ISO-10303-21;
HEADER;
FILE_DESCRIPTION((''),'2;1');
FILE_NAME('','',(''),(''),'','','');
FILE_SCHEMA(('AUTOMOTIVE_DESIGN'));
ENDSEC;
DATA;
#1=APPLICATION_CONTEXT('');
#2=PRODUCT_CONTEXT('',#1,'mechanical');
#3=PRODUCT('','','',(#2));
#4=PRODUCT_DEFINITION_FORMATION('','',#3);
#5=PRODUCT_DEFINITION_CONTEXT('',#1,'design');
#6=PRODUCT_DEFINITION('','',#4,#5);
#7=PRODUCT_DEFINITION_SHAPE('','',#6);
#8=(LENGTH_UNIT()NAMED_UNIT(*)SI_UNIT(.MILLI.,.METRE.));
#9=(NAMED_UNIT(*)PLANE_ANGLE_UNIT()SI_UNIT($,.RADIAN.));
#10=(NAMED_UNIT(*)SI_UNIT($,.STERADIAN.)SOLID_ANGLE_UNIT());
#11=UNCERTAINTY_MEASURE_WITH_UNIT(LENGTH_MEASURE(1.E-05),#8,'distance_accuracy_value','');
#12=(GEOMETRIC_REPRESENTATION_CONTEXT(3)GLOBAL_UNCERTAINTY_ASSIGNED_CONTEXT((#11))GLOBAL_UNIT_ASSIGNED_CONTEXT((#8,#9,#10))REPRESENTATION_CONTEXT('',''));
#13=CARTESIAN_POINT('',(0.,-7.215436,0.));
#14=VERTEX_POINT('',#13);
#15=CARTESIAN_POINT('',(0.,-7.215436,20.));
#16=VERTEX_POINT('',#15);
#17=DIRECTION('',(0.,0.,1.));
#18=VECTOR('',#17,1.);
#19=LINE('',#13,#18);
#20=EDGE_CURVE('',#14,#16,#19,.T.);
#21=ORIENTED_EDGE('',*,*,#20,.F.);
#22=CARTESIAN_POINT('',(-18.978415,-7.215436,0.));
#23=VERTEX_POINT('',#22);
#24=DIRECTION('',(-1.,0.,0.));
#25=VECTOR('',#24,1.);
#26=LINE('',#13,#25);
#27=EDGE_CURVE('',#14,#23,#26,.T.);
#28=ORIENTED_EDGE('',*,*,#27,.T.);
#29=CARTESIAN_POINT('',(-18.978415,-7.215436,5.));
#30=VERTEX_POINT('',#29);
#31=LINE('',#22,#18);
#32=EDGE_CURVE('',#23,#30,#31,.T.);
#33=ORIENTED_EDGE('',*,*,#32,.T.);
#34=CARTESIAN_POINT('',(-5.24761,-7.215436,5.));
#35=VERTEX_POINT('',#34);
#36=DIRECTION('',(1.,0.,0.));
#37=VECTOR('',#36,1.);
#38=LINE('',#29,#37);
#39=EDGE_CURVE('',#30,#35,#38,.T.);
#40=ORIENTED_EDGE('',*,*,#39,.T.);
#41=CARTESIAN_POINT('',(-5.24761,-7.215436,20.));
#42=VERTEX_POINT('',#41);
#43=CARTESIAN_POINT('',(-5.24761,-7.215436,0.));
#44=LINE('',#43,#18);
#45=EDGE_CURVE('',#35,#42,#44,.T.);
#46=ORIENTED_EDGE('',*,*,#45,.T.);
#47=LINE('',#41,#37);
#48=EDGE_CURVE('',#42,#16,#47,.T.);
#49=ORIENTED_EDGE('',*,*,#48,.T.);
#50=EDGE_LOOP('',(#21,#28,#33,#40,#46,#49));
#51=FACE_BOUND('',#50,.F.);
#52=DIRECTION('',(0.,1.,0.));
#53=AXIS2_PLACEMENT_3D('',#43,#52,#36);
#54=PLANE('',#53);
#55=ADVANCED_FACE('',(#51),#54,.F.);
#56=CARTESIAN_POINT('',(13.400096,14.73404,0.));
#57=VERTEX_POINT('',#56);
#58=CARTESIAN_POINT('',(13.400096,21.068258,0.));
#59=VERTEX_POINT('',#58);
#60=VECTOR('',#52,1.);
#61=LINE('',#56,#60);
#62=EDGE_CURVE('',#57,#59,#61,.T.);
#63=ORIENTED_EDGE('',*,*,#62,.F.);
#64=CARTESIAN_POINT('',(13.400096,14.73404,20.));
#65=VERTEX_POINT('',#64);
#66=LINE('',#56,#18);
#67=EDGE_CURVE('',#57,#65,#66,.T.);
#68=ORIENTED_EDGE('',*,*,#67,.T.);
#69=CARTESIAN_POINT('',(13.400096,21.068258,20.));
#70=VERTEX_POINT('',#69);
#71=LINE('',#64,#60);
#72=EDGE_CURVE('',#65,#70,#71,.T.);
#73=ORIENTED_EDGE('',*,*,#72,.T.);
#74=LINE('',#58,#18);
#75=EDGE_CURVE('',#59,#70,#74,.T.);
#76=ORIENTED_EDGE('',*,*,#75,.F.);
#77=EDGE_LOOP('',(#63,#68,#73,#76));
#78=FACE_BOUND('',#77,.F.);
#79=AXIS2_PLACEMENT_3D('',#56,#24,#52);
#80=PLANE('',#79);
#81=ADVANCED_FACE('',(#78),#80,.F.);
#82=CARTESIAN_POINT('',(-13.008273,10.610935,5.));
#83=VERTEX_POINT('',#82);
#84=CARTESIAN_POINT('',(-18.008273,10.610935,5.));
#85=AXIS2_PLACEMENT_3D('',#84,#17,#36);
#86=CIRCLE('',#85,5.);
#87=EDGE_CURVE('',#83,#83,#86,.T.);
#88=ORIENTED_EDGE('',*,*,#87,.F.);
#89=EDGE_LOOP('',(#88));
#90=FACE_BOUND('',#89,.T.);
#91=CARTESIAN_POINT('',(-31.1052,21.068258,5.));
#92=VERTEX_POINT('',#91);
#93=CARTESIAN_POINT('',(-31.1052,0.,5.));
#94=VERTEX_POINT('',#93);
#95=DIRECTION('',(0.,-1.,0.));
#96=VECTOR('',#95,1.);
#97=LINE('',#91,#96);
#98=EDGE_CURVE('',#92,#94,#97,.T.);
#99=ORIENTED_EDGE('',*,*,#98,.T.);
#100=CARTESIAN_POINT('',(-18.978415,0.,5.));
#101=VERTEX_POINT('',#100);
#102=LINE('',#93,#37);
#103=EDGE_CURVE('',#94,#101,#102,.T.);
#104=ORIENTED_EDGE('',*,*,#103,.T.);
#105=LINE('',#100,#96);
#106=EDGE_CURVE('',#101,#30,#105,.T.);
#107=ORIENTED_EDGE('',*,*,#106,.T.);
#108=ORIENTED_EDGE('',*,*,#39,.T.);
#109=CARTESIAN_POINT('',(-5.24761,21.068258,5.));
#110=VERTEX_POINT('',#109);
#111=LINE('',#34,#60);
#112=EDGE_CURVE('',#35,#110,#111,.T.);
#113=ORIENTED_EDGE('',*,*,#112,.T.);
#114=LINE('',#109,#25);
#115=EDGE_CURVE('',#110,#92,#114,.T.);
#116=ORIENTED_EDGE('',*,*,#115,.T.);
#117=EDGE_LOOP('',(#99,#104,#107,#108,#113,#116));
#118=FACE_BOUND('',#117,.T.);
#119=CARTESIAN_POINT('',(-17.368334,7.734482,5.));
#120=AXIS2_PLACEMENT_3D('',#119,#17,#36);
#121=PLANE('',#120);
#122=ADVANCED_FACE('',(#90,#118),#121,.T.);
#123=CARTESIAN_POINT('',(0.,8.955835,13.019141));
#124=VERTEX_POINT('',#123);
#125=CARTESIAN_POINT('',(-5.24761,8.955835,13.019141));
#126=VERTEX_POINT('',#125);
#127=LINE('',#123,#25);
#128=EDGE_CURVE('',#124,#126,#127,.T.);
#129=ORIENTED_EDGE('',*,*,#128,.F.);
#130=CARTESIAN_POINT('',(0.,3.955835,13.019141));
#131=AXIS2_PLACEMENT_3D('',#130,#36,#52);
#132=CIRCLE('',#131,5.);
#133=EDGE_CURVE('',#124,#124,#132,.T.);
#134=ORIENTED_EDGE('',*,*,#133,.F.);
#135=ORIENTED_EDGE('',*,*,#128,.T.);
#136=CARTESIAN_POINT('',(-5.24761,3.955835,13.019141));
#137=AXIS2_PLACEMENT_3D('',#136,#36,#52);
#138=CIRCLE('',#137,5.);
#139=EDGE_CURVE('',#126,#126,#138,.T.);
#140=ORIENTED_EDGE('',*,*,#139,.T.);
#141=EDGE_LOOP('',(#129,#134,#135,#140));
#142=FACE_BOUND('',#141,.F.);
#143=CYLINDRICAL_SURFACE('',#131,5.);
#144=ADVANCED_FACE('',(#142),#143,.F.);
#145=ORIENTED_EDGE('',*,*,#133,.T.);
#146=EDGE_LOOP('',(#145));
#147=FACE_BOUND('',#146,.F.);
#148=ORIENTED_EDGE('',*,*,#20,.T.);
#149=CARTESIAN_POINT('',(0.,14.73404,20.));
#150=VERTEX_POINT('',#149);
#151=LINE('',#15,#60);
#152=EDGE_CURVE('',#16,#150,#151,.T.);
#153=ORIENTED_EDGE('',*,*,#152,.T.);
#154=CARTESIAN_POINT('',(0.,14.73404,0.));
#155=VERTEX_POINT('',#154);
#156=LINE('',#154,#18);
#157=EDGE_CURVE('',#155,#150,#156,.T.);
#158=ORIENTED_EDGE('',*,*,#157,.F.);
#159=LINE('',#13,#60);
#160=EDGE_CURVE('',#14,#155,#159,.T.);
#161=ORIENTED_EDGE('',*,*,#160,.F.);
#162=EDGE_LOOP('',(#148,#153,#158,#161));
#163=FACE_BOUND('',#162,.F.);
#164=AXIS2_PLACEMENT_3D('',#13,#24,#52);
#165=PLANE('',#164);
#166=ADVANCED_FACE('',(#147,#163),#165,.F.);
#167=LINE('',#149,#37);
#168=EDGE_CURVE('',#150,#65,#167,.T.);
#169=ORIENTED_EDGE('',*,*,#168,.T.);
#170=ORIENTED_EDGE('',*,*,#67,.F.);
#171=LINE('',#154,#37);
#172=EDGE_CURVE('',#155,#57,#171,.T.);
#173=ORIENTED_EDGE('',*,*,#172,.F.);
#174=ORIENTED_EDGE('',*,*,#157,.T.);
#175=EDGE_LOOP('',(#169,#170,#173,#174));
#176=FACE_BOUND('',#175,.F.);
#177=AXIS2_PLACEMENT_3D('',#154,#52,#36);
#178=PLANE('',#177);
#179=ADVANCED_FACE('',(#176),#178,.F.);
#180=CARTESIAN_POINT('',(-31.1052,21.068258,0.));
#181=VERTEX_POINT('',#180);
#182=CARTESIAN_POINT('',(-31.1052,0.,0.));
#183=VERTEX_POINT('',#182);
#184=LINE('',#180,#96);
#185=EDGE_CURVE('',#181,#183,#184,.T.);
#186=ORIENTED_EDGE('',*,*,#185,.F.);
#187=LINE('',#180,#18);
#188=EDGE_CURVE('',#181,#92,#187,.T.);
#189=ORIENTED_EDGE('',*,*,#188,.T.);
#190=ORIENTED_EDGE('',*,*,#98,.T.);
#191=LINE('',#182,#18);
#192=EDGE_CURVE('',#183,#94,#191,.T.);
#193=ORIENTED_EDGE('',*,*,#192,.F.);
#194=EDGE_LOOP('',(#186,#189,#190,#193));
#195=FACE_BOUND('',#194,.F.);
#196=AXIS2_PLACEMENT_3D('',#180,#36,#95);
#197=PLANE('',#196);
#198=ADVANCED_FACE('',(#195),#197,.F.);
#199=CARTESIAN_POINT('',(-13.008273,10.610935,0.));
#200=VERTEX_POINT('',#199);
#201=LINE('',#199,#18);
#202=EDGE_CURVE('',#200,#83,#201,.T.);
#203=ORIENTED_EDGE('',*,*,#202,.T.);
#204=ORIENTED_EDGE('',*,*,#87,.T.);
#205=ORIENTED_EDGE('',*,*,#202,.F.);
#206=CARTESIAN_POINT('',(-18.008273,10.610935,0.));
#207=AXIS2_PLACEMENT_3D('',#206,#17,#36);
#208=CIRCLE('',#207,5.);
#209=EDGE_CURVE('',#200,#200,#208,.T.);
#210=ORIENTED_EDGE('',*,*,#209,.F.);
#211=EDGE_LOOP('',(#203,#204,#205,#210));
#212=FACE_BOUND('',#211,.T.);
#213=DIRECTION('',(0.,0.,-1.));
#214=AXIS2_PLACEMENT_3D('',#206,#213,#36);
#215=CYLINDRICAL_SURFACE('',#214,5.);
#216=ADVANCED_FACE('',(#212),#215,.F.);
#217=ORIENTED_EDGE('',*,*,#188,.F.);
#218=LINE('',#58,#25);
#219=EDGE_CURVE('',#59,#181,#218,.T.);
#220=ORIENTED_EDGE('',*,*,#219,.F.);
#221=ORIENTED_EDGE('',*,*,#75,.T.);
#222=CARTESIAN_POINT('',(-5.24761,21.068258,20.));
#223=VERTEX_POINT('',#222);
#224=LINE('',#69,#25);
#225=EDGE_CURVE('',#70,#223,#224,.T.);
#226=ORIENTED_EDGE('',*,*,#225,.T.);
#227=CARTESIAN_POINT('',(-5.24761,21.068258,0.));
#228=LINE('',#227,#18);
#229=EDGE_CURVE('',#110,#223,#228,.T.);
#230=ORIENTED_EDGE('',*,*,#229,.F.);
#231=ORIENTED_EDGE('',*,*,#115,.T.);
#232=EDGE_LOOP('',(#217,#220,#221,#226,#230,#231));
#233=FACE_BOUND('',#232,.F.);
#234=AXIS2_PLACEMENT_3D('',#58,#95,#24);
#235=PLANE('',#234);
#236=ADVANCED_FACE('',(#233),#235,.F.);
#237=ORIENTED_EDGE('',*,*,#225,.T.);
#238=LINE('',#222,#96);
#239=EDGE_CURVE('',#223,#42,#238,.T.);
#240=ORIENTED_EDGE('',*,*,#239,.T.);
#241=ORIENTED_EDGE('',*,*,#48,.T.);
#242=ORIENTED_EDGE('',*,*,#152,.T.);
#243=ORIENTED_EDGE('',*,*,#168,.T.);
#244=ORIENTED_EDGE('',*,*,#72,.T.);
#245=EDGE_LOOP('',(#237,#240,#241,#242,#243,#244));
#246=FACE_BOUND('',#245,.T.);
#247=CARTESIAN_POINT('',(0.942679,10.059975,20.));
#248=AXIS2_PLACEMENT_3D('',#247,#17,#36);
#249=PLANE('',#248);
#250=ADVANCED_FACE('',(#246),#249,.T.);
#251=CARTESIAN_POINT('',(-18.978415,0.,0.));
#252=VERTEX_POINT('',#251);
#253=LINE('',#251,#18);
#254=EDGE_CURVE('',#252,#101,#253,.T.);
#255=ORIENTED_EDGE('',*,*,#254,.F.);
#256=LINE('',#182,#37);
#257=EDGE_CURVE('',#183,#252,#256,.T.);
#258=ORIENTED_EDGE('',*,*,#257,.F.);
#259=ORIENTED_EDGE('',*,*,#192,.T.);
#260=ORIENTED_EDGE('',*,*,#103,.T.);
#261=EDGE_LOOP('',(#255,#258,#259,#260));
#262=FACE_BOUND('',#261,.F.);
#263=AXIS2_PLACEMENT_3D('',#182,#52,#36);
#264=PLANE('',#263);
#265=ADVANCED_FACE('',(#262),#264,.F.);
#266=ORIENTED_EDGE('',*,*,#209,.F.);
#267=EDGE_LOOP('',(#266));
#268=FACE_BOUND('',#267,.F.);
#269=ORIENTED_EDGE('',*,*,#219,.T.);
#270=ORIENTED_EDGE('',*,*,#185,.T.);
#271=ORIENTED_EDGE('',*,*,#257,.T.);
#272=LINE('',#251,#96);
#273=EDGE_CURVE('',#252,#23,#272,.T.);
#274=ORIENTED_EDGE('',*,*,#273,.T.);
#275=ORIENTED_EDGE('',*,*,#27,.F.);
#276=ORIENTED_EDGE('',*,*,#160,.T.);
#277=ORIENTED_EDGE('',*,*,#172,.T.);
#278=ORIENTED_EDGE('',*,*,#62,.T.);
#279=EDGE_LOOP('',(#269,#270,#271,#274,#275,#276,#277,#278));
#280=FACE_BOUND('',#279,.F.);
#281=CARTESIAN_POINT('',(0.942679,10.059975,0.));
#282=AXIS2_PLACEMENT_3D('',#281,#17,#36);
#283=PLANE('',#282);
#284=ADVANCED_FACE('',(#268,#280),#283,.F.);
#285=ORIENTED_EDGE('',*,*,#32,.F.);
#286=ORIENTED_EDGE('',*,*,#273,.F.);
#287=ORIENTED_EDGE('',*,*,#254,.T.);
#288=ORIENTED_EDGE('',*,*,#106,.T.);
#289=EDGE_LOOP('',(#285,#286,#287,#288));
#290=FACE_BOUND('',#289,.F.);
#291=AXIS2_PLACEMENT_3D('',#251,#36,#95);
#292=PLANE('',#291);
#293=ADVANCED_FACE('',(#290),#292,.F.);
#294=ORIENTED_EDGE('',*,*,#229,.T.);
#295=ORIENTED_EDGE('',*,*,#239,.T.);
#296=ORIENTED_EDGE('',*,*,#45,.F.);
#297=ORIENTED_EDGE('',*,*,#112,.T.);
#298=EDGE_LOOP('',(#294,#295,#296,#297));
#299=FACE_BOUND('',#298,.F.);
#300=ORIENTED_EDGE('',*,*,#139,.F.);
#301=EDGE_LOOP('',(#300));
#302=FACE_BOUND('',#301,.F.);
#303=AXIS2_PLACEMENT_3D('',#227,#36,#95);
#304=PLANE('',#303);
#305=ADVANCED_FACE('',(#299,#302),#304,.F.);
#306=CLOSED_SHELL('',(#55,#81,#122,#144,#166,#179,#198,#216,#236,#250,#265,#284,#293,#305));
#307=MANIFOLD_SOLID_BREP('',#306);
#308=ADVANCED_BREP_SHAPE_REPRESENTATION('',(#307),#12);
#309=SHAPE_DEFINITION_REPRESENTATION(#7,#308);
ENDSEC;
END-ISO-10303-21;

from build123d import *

# Parameters (mm, degrees)
F0_R     = 5
F1_DEPTH = 5
F2_DEPTH = 20
F3_R     = 5
F4_DEPTH = 25


with BuildPart() as f1:
    # F0 (on Top) → F1 (new body)
    with BuildSketch(Plane.XY):
        Polygon((-31.1052, 21.068258), (-31.1052, 0), (-18.978415, 0), (-18.978415, -7.215436), (-5.24761, -7.215436), (-5.24761, 21.068258), align=None)
        with Locations((-18.008273, 10.610935)):
            Circle(F0_R, mode=Mode.SUBTRACT)
    extrude(amount=F1_DEPTH)

    # F0 (on Top) → F2 (join)
    with BuildSketch(Plane.XY):
        Polygon((13.400096, 21.068258), (-5.24761, 21.068258), (-5.24761, -7.215436), (0, -7.215436), (0, 14.73404), (13.400096, 14.73404), align=None)
    extrude(amount=F2_DEPTH)

    # F3 (on Right) → F4 (cut)
    with BuildSketch(Plane.YZ):
        with Locations((3.955835, 13.019141)):
            Circle(F3_R)
    extrude(amount=-F4_DEPTH, mode=Mode.SUBTRACT)


solid = f1.part
